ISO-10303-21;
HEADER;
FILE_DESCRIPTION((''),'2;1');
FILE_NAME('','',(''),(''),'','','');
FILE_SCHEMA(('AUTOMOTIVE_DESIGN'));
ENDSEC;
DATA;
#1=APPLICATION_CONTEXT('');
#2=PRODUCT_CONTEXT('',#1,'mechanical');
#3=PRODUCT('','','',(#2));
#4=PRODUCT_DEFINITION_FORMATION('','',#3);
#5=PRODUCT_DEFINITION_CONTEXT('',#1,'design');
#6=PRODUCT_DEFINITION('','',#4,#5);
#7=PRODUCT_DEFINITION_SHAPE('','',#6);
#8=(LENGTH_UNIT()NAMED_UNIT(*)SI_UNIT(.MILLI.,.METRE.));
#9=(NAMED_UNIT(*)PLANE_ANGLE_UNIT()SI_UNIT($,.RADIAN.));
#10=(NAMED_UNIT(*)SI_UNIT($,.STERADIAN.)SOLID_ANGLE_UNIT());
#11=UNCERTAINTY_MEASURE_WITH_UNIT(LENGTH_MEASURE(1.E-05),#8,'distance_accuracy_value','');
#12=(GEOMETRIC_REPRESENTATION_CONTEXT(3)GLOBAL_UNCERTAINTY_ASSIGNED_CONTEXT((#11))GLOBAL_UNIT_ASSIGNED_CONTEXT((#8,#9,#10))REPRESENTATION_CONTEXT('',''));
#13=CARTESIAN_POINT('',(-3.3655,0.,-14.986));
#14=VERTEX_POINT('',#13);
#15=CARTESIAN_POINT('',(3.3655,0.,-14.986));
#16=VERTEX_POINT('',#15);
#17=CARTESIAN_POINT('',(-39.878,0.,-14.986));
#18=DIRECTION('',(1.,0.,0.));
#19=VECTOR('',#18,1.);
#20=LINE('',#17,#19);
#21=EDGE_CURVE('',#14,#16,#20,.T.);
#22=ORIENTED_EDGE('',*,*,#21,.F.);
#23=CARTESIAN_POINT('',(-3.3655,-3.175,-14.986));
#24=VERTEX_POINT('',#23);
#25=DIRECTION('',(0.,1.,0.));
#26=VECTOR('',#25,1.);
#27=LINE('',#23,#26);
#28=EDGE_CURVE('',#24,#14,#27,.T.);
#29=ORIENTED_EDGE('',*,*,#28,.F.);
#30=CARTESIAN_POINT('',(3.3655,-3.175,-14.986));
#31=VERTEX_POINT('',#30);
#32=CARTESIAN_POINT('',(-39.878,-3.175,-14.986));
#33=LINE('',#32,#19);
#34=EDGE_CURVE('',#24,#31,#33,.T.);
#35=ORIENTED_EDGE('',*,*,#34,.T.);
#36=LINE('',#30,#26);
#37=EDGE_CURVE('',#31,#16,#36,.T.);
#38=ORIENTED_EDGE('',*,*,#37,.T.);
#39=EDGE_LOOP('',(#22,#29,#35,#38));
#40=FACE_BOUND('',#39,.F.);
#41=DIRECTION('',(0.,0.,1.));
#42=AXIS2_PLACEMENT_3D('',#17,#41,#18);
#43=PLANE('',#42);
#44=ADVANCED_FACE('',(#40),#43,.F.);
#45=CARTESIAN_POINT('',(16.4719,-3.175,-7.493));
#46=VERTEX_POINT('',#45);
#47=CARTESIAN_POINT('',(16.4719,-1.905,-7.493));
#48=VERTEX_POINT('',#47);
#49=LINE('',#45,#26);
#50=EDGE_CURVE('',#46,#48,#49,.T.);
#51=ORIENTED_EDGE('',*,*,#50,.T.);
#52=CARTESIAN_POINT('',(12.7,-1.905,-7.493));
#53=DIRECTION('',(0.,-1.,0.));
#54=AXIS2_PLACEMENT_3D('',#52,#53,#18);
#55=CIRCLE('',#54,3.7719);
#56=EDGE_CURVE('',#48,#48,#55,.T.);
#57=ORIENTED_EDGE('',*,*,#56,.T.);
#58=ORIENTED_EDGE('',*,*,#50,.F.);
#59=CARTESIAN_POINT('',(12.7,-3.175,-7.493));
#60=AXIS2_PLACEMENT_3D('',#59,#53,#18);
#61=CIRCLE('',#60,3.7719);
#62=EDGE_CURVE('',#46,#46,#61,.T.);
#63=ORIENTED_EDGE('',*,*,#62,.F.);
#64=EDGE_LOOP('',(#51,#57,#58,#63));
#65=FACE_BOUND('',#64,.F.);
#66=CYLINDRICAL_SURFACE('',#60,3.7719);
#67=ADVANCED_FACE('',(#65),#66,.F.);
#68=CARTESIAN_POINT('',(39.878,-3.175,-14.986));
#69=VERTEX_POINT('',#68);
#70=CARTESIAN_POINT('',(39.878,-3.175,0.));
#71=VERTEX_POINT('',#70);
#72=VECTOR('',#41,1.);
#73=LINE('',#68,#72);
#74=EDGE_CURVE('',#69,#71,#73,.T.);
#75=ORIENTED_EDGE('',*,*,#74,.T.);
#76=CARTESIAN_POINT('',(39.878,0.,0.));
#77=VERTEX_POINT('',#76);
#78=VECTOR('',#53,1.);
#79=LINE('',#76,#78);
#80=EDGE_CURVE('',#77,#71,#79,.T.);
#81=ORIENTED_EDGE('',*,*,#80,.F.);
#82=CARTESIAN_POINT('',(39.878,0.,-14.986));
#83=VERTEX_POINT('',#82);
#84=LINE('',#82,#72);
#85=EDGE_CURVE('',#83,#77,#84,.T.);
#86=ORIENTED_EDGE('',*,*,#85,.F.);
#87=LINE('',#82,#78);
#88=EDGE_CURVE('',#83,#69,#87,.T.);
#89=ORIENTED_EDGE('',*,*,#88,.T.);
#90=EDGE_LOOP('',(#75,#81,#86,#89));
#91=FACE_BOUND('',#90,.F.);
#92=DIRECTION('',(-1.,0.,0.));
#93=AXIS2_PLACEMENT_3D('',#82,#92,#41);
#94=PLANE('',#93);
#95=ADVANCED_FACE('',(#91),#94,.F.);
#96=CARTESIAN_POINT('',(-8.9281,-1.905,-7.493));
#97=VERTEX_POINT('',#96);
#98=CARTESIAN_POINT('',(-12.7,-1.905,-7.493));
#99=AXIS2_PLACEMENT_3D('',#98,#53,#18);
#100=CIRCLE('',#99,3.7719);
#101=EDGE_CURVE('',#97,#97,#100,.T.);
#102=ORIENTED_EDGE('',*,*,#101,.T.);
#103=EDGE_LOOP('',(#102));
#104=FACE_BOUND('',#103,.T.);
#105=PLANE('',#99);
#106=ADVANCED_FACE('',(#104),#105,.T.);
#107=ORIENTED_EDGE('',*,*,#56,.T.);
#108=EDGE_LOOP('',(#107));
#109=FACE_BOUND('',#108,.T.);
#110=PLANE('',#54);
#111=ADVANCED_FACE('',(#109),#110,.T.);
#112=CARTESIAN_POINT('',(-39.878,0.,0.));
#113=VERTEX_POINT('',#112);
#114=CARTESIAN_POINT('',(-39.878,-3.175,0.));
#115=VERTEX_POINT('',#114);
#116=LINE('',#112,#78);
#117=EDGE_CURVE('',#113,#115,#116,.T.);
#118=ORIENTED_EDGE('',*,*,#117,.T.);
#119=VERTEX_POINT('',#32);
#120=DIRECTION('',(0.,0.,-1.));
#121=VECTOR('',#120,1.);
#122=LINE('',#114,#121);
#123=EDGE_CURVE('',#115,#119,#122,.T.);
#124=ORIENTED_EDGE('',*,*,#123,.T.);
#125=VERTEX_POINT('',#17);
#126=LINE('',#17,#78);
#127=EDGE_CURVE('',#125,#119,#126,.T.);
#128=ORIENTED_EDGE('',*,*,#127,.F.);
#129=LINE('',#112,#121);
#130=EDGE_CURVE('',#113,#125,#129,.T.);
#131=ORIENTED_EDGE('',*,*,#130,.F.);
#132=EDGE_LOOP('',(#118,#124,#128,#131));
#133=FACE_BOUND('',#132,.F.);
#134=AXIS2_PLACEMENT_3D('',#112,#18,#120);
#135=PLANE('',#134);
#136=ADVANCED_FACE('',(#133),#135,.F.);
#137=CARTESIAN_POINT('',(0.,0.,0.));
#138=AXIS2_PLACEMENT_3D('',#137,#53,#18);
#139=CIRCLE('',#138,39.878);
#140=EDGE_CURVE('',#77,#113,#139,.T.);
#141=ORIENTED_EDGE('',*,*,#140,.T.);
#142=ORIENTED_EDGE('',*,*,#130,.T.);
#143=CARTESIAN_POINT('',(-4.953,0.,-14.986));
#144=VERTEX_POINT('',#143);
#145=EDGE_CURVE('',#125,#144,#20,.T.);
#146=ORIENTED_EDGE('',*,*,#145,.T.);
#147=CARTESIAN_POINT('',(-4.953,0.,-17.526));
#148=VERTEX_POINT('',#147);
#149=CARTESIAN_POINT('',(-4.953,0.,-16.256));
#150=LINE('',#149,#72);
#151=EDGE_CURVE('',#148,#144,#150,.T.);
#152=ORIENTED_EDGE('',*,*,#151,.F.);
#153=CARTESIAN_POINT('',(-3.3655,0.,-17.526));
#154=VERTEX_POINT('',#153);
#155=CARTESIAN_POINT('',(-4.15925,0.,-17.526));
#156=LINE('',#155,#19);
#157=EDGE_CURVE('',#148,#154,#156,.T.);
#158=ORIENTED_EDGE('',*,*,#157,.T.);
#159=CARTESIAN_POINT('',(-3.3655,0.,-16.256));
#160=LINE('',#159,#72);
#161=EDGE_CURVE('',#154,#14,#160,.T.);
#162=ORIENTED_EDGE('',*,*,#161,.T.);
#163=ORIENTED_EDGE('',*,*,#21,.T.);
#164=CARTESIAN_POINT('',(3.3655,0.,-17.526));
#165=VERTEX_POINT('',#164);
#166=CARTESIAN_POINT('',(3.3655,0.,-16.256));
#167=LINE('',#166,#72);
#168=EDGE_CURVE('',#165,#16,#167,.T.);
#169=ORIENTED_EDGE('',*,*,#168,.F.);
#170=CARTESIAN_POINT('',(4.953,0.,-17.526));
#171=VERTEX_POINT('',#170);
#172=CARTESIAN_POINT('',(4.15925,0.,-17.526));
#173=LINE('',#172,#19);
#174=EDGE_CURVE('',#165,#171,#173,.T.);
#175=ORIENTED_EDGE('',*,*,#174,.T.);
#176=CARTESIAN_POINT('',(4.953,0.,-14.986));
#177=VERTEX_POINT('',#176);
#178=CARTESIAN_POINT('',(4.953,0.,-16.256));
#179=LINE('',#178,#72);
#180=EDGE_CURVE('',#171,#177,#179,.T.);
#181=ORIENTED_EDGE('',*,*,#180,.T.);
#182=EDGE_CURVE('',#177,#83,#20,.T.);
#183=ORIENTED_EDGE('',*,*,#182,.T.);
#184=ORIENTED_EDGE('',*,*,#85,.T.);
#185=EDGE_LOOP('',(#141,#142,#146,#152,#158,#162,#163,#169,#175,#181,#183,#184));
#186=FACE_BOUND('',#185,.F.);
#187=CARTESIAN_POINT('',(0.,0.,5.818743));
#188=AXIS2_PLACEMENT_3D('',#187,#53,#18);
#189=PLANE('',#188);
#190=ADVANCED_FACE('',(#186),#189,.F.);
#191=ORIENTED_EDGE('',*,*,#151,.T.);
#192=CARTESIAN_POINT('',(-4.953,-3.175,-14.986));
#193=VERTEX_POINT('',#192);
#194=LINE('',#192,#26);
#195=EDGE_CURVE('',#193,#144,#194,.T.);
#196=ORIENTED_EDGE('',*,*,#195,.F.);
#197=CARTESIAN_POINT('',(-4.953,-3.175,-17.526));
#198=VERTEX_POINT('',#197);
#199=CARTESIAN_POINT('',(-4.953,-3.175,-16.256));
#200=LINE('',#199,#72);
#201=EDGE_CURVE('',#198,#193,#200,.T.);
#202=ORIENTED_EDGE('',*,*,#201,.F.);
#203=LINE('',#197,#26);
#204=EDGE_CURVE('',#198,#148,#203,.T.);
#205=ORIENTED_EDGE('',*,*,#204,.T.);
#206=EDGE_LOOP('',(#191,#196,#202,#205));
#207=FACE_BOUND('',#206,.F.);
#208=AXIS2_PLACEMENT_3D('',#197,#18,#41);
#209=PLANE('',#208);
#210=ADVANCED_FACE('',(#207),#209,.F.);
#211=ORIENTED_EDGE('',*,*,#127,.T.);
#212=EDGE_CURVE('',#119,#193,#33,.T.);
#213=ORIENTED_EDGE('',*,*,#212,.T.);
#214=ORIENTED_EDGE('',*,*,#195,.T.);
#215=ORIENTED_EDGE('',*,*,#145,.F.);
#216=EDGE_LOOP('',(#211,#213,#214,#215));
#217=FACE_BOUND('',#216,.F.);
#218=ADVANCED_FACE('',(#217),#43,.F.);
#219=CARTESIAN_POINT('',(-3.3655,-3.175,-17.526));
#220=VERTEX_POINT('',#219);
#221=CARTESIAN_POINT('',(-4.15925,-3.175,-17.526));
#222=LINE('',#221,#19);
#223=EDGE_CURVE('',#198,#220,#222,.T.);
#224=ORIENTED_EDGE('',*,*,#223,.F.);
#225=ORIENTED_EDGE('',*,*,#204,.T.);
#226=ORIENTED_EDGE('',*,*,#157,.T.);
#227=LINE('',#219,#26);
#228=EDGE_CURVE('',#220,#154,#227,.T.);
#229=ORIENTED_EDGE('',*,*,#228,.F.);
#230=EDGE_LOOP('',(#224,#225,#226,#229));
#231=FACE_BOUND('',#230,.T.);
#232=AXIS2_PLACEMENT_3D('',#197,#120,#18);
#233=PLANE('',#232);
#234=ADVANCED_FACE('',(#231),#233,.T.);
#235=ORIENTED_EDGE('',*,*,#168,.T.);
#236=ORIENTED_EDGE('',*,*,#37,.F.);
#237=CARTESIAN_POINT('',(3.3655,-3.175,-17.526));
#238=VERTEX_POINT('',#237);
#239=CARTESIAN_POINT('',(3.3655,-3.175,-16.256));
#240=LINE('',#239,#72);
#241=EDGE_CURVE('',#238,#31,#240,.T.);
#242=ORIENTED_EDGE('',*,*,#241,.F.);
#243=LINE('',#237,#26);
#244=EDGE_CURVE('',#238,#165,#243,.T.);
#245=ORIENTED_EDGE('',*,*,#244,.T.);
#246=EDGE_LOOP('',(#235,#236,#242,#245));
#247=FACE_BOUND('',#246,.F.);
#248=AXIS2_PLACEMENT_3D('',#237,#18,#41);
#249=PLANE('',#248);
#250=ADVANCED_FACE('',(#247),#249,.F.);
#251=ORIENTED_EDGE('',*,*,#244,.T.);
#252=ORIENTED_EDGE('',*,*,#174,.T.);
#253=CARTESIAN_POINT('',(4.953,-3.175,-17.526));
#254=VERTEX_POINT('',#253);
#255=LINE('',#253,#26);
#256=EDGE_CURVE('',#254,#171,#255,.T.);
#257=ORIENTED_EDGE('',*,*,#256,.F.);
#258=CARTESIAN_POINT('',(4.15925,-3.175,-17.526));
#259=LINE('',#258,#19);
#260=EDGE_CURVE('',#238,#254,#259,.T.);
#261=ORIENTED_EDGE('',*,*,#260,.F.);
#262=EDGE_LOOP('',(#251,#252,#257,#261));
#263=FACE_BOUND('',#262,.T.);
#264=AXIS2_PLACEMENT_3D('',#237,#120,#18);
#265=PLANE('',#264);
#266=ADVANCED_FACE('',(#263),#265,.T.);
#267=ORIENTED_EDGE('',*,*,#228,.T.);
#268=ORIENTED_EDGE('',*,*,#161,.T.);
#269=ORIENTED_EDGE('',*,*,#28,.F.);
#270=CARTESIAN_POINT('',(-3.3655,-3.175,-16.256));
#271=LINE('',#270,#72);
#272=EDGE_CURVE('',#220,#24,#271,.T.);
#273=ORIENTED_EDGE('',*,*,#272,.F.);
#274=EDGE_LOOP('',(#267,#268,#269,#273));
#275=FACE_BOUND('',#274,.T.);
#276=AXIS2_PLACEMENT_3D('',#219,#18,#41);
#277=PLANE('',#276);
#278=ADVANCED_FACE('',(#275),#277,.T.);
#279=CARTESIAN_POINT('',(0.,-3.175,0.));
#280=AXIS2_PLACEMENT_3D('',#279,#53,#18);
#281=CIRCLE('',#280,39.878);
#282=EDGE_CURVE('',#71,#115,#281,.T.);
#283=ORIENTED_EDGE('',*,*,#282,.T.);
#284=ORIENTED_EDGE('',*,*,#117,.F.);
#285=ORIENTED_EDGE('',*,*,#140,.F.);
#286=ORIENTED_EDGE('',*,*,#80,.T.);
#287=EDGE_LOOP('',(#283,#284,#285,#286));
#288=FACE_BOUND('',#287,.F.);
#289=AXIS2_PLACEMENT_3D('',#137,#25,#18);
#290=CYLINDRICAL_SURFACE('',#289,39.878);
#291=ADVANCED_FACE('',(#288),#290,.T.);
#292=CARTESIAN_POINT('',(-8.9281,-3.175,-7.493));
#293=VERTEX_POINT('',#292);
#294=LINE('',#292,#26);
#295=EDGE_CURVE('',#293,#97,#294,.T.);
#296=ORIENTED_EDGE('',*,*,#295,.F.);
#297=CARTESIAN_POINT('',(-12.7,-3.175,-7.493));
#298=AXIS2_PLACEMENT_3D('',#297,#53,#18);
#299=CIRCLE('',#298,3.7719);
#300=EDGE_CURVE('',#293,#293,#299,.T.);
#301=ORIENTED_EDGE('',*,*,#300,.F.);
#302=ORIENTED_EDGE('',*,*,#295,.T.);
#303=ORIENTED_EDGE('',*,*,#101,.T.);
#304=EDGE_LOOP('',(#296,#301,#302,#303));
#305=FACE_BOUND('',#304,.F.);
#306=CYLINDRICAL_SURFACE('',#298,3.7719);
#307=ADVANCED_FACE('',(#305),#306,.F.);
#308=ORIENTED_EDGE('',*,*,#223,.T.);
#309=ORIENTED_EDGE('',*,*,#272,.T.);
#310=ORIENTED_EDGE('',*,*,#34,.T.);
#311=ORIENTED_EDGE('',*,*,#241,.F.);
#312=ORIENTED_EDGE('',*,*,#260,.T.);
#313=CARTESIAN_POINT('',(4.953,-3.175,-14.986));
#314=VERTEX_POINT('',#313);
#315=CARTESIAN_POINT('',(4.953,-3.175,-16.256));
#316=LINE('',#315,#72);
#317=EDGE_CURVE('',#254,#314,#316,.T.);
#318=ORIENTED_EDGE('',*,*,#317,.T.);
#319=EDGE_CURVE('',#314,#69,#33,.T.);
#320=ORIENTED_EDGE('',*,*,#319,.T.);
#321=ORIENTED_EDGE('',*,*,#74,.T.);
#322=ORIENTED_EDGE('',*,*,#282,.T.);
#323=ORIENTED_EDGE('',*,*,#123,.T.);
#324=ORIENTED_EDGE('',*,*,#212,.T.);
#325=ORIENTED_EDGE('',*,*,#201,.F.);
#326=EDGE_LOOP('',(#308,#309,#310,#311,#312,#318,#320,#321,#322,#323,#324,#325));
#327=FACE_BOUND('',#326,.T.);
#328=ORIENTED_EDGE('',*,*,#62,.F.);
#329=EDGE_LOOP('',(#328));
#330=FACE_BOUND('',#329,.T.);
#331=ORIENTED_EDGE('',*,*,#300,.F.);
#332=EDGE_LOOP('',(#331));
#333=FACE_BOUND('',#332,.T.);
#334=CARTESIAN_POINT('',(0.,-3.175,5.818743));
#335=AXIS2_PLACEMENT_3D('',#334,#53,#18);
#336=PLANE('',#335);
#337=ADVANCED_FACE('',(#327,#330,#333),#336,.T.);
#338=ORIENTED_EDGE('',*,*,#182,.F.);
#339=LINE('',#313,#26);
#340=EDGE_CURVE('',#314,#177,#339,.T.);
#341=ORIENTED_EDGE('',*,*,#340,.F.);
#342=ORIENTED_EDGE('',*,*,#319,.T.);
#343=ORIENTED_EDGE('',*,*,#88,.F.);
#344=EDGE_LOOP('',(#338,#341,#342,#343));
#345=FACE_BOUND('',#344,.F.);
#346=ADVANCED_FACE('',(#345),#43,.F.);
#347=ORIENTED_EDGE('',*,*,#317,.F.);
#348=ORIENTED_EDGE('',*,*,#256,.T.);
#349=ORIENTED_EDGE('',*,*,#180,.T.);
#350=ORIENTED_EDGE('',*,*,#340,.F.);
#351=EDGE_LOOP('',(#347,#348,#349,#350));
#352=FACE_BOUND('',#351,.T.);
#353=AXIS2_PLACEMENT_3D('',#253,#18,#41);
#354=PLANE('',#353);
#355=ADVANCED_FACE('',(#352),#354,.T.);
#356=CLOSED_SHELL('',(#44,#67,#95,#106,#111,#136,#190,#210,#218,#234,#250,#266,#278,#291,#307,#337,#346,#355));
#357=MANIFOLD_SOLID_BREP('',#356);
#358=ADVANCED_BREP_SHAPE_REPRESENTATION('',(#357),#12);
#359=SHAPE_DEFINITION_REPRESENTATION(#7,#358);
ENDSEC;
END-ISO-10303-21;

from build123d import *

# Parameters (mm, degrees)
F1_DEPTH = 3.175
F2_R     = 3.7719
F3_DEPTH = 1.27
F4_W     = 1.5875
F4_H     = 2.54
F5_DEPTH = 3.175


with BuildPart() as f1:
    # F0 (on Front) → F1 (new body)
    with BuildSketch(Plane.XZ):
        with BuildLine():
            ThreePointArc((39.878, 0), (0, 39.878), (-39.878, 0))
            Line((-39.878, 0), (-39.878, -14.986))
            Line((-39.878, -14.986), (39.878, -14.986))
            Line((39.878, -14.986), (39.878, 0))
        make_face()
    extrude(amount=F1_DEPTH)

    # F2 (on face) → F3 (cut)
    with BuildSketch(Plane.XZ.offset(3.175)):
        with Locations((-12.7, -7.493)):
            Circle(F2_R)
        with Locations((12.7, -7.493)):
            Circle(F2_R)
    extrude(amount=-F3_DEPTH, mode=Mode.SUBTRACT)

    # F4 (on face) → F5 (join)
    with BuildSketch(Plane.XZ.offset(3.175)):
        with Locations((-4.15925, -16.256)):
            Rectangle(F4_W, F4_H)
        with Locations((4.15925, -16.256)):
            Rectangle(F4_W, F4_H)
    extrude(amount=-F5_DEPTH)


solid = f1.part
